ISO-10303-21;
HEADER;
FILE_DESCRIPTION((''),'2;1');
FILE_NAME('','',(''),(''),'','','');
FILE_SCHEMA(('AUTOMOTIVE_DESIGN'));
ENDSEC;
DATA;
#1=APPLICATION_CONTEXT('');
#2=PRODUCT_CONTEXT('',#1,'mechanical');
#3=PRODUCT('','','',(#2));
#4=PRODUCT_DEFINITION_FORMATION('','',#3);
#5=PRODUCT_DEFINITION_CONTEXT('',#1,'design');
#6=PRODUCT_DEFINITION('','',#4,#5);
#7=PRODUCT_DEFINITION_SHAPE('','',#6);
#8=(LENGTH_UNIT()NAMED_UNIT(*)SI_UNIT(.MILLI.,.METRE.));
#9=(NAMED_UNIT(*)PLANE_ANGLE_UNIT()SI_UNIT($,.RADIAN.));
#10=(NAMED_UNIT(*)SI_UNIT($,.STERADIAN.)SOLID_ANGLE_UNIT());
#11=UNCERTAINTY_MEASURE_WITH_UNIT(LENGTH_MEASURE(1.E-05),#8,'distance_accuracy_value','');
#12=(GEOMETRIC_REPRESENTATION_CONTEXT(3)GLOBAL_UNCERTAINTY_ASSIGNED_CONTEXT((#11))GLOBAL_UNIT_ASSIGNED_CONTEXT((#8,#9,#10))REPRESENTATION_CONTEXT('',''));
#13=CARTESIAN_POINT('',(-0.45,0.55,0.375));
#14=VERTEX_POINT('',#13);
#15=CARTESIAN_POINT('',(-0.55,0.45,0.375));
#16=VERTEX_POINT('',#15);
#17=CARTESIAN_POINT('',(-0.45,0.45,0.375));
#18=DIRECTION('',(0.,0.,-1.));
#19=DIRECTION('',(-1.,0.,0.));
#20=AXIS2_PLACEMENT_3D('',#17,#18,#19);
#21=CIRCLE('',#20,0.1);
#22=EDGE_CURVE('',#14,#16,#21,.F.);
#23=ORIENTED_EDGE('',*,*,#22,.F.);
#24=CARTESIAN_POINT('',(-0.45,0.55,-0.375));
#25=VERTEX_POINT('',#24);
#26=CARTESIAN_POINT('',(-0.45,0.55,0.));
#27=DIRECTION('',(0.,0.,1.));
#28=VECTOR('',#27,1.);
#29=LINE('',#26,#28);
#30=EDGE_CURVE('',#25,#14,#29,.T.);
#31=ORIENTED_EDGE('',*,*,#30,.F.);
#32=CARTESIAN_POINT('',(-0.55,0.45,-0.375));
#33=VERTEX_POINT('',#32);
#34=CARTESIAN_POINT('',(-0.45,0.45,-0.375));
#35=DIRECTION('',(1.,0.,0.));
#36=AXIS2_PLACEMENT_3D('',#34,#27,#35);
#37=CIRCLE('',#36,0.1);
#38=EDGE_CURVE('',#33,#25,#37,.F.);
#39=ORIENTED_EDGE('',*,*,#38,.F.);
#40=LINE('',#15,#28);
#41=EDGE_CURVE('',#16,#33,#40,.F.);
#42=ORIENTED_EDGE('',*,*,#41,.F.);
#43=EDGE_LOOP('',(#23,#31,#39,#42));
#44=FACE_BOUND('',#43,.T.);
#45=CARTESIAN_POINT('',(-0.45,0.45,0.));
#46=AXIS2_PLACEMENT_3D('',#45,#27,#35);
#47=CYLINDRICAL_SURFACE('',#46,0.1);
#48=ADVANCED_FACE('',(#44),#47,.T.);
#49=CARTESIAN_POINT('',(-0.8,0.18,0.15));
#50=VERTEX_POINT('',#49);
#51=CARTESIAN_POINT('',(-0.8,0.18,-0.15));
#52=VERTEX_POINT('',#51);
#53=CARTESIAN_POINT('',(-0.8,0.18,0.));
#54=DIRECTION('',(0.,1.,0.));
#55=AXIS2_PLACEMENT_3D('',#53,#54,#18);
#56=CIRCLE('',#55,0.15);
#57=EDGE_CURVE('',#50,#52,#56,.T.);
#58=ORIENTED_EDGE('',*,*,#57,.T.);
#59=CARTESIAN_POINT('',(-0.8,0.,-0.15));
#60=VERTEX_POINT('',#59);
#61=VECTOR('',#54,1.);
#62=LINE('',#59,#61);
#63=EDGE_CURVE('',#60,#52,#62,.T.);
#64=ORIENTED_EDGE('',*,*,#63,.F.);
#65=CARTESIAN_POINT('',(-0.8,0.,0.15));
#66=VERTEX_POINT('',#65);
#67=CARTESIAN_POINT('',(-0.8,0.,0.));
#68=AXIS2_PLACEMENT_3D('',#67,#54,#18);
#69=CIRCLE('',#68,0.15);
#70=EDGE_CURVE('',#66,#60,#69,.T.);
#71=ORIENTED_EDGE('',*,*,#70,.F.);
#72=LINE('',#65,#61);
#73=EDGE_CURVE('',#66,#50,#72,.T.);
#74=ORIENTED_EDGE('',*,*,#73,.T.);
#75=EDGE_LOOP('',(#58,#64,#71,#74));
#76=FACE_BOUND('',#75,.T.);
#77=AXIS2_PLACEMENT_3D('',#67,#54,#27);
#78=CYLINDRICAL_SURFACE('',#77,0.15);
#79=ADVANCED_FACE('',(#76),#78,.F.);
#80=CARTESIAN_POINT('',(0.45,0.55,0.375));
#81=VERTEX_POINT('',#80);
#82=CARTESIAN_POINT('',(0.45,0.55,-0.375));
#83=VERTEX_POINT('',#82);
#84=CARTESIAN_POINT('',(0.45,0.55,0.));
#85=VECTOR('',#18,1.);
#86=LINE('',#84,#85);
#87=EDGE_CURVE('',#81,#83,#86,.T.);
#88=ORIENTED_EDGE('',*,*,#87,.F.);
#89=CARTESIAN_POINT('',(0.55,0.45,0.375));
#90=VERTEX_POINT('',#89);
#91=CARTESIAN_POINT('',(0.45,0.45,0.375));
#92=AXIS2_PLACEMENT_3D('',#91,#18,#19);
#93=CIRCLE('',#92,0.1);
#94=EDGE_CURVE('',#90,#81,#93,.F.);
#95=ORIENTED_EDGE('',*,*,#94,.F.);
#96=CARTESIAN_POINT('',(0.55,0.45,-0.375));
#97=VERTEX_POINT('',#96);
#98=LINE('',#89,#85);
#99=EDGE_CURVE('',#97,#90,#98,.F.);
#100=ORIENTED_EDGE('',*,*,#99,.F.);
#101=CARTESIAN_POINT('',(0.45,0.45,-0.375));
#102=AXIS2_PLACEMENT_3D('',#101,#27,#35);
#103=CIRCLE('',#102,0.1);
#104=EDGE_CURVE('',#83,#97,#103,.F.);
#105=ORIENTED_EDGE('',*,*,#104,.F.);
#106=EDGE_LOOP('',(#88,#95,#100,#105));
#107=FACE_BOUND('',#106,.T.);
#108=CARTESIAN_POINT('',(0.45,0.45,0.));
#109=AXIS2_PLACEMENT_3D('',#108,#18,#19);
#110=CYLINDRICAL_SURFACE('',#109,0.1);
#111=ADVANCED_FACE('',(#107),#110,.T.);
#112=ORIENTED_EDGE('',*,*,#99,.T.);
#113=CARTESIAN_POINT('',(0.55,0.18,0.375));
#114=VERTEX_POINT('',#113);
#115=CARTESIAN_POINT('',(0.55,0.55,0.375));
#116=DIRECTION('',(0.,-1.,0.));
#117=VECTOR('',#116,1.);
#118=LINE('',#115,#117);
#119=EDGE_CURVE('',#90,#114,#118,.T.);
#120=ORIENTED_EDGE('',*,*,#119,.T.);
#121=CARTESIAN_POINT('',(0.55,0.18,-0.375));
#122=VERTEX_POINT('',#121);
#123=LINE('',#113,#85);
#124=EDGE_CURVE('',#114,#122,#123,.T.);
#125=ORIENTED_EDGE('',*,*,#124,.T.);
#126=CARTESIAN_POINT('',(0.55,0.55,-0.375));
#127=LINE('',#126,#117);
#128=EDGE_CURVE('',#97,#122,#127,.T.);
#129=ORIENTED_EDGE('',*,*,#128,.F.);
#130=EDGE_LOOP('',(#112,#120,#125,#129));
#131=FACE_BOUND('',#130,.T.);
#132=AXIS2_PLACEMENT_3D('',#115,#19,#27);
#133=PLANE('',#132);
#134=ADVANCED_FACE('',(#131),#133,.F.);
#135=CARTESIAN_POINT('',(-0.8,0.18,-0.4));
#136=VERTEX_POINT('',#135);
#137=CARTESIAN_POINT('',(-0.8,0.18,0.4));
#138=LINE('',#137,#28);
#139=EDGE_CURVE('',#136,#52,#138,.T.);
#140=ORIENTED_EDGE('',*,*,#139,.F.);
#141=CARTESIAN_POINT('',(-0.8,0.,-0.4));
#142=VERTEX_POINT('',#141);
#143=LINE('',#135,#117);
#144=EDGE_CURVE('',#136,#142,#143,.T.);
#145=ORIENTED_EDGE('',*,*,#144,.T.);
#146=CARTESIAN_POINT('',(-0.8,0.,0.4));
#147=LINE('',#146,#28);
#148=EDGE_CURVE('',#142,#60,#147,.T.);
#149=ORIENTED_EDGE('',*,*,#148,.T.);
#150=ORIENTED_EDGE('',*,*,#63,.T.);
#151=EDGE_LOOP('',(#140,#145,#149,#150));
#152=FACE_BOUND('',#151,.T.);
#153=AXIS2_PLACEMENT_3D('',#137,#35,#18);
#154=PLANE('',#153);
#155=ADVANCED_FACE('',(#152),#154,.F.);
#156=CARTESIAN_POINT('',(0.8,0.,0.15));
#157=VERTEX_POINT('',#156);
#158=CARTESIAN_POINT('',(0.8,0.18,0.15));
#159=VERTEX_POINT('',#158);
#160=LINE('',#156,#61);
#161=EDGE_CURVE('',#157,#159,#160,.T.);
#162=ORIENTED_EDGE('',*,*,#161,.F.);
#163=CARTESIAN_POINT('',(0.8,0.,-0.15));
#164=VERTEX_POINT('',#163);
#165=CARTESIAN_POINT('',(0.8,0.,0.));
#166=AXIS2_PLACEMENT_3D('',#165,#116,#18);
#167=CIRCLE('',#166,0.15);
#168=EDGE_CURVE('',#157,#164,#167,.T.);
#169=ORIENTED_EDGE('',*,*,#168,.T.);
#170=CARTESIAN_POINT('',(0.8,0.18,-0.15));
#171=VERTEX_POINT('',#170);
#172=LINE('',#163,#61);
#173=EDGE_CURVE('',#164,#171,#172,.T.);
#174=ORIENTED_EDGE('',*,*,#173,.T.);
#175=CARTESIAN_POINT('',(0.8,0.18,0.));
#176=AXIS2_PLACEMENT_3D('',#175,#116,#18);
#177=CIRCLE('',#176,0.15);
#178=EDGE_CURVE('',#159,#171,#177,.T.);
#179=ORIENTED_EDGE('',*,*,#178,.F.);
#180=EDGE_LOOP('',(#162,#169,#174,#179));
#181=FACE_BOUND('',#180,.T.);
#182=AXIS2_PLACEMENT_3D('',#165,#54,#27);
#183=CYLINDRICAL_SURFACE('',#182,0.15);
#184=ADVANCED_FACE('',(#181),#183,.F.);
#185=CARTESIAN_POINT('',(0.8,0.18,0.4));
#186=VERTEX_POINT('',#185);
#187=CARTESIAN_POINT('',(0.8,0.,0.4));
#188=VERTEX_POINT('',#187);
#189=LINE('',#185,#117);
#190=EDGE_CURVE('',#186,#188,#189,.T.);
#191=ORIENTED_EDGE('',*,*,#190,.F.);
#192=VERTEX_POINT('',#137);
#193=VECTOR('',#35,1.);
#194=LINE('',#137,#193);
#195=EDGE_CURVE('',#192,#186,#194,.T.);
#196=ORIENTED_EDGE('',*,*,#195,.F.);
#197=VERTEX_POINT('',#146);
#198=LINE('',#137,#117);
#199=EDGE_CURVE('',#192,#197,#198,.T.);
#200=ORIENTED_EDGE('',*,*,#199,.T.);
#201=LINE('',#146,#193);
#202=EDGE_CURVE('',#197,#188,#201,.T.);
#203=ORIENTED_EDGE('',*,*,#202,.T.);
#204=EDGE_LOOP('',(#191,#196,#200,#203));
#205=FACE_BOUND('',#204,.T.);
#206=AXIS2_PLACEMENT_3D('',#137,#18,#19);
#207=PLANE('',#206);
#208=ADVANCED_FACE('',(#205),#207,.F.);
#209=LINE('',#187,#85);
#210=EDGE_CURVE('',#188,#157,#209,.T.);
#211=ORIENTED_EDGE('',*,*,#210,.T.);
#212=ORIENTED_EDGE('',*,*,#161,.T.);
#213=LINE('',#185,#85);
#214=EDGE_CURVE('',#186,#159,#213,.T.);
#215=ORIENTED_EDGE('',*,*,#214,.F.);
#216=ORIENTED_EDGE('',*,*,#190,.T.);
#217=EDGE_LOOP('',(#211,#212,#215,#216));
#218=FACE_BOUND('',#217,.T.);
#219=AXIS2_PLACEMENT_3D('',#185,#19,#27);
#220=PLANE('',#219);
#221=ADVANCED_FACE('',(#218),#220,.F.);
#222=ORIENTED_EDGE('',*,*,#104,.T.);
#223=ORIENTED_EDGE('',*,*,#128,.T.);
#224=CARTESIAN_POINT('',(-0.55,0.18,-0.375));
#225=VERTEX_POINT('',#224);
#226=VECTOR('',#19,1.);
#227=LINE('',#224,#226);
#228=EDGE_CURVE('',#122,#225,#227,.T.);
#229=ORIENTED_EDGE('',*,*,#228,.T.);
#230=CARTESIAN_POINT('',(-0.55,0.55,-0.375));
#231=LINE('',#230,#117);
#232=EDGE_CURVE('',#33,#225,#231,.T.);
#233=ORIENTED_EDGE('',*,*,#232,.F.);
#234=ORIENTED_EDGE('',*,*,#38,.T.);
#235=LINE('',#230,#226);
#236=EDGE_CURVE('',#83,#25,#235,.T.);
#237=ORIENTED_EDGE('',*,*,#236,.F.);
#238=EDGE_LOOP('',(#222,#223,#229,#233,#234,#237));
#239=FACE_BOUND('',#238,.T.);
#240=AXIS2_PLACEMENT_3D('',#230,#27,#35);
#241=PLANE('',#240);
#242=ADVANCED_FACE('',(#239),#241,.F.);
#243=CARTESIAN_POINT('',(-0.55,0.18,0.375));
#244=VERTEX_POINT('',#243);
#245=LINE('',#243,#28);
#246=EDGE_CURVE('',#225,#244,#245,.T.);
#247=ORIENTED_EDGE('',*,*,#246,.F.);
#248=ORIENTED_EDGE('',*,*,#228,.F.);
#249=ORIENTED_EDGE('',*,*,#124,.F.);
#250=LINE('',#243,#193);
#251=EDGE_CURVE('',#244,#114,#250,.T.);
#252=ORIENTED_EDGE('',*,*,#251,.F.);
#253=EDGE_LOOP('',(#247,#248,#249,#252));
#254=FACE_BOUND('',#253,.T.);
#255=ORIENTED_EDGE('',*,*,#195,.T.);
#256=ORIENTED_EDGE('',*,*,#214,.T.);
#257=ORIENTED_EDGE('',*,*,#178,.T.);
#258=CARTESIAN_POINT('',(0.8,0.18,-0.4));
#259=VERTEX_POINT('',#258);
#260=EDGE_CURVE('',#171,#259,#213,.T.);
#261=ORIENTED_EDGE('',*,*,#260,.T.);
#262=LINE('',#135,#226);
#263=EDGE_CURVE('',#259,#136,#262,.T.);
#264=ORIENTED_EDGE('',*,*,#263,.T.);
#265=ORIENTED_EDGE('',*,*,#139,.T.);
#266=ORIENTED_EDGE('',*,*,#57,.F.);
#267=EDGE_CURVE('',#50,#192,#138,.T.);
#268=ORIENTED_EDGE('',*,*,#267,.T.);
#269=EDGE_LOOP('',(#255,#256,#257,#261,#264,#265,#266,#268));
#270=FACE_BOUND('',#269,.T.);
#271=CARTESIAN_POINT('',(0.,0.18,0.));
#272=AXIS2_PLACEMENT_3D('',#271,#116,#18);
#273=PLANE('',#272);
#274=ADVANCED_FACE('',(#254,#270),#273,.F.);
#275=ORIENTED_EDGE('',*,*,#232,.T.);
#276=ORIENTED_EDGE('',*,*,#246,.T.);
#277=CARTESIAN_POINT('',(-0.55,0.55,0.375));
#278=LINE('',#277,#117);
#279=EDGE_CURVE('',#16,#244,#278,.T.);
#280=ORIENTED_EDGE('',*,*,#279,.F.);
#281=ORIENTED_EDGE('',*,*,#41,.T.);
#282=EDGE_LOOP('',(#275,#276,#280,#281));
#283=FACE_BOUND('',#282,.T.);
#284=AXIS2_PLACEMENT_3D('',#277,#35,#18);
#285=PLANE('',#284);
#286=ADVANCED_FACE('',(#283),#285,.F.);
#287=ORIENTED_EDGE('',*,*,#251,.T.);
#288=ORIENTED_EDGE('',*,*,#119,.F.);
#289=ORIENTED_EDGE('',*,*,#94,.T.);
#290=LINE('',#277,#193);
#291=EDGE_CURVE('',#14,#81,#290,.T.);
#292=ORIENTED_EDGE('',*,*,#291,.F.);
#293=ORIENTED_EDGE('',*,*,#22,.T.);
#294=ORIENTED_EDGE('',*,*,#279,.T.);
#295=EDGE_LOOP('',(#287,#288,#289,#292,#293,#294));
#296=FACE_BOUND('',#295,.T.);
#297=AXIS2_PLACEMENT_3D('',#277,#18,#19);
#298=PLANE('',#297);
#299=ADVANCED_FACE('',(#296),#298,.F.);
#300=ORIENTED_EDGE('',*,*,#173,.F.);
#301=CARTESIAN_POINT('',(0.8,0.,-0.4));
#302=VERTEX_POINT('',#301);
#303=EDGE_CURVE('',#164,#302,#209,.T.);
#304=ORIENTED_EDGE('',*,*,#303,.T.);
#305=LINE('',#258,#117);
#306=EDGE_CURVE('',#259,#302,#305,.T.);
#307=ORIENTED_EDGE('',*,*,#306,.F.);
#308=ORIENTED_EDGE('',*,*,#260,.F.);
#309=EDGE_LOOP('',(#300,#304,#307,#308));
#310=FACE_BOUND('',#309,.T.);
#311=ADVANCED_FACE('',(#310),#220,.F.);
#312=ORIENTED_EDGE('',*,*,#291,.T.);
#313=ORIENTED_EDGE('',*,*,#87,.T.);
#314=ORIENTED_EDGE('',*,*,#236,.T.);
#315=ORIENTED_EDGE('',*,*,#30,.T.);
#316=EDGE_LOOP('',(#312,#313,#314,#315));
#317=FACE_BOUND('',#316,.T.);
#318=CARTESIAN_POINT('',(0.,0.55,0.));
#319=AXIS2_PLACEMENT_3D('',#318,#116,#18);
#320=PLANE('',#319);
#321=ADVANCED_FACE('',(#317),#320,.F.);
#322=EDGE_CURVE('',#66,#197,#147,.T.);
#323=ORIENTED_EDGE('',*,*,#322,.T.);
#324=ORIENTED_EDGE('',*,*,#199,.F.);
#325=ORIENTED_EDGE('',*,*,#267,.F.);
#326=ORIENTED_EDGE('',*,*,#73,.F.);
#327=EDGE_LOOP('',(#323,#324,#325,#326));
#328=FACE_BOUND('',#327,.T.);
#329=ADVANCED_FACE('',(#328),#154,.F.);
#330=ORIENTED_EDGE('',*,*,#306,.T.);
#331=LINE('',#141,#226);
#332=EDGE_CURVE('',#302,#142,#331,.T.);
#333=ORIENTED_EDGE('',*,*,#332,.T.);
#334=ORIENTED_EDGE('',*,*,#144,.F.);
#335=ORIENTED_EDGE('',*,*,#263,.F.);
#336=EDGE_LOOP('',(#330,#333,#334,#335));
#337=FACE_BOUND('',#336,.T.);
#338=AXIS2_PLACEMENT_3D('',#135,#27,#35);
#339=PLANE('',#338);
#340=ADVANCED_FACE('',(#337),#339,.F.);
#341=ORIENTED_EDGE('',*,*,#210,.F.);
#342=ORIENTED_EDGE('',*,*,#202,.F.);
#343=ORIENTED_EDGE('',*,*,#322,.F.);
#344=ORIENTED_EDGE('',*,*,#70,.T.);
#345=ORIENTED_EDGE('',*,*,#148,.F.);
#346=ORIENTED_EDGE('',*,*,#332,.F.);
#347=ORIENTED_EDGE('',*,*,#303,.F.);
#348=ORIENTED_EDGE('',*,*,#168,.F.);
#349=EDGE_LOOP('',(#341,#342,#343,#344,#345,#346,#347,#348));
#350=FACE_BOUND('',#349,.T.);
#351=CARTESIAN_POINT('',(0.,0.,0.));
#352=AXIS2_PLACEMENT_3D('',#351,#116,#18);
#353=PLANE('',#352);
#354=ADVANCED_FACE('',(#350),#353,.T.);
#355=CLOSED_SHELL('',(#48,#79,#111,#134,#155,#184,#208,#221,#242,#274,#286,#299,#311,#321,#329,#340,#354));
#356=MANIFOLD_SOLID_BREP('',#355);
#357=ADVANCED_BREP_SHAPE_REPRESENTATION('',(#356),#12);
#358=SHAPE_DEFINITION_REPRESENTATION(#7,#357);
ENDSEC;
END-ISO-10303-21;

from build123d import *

# Parameters (mm, degrees)
SKETCH1_W           = 1.6
SKETCH1_H           = 0.8
BOSS_EXTRUDE1_DEPTH = 0.18
CUT_EXTRUDE1_DEPTH  = 0.18
SKETCH3_W           = 1.1
SKETCH3_H           = 0.75
BOSS_EXTRUDE2_DEPTH = 0.37
FILLET1_R           = 0.1


with BuildPart() as part:
    # Sketch1 → Boss-Extrude1 (new body)
    with BuildSketch(Plane(origin=(0, 0, 0), x_dir=(1, 0, 0), z_dir=(0, 1, 0))):
        Rectangle(SKETCH1_W, SKETCH1_H)
    extrude(amount=BOSS_EXTRUDE1_DEPTH)

    # Sketch2 → Cut-Extrude1 (cut)
    with BuildSketch(Plane(origin=(0, 0.18, 0), x_dir=(1, 0, 0), z_dir=(0, 1, 0))):
        with BuildLine():
            Line((-0.8, -0.15), (-0.8, 0.15))
            ThreePointArc((-0.8, 0.15), (-0.65, 0), (-0.8, -0.15))
        make_face()
    cut_extrude1 = extrude(amount=-CUT_EXTRUDE1_DEPTH, mode=Mode.SUBTRACT)

    # Mirror1: Cut-Extrude1 across plane
    add(cut_extrude1.mirror(Plane(origin=(0, 0, 0), x_dir=(0, 0, 1), z_dir=(1, 0, 0))), mode=Mode.SUBTRACT)

    # Sketch3 → Boss-Extrude2 (add)
    with BuildSketch(Plane(origin=(0, 0.18, 0), x_dir=(1, 0, 0), z_dir=(0, 1, 0))):
        Rectangle(SKETCH3_W, SKETCH3_H)
    extrude(amount=BOSS_EXTRUDE2_DEPTH)

    # Fillet1
    fillet1_edges = [part.edges().sort_by_distance(p)[0] for p in [
        (0.55, 0.55, 0),
        (-0.55, 0.55, 0),
    ]]
    fillet(fillet1_edges, radius=FILLET1_R)


solid = part.part
